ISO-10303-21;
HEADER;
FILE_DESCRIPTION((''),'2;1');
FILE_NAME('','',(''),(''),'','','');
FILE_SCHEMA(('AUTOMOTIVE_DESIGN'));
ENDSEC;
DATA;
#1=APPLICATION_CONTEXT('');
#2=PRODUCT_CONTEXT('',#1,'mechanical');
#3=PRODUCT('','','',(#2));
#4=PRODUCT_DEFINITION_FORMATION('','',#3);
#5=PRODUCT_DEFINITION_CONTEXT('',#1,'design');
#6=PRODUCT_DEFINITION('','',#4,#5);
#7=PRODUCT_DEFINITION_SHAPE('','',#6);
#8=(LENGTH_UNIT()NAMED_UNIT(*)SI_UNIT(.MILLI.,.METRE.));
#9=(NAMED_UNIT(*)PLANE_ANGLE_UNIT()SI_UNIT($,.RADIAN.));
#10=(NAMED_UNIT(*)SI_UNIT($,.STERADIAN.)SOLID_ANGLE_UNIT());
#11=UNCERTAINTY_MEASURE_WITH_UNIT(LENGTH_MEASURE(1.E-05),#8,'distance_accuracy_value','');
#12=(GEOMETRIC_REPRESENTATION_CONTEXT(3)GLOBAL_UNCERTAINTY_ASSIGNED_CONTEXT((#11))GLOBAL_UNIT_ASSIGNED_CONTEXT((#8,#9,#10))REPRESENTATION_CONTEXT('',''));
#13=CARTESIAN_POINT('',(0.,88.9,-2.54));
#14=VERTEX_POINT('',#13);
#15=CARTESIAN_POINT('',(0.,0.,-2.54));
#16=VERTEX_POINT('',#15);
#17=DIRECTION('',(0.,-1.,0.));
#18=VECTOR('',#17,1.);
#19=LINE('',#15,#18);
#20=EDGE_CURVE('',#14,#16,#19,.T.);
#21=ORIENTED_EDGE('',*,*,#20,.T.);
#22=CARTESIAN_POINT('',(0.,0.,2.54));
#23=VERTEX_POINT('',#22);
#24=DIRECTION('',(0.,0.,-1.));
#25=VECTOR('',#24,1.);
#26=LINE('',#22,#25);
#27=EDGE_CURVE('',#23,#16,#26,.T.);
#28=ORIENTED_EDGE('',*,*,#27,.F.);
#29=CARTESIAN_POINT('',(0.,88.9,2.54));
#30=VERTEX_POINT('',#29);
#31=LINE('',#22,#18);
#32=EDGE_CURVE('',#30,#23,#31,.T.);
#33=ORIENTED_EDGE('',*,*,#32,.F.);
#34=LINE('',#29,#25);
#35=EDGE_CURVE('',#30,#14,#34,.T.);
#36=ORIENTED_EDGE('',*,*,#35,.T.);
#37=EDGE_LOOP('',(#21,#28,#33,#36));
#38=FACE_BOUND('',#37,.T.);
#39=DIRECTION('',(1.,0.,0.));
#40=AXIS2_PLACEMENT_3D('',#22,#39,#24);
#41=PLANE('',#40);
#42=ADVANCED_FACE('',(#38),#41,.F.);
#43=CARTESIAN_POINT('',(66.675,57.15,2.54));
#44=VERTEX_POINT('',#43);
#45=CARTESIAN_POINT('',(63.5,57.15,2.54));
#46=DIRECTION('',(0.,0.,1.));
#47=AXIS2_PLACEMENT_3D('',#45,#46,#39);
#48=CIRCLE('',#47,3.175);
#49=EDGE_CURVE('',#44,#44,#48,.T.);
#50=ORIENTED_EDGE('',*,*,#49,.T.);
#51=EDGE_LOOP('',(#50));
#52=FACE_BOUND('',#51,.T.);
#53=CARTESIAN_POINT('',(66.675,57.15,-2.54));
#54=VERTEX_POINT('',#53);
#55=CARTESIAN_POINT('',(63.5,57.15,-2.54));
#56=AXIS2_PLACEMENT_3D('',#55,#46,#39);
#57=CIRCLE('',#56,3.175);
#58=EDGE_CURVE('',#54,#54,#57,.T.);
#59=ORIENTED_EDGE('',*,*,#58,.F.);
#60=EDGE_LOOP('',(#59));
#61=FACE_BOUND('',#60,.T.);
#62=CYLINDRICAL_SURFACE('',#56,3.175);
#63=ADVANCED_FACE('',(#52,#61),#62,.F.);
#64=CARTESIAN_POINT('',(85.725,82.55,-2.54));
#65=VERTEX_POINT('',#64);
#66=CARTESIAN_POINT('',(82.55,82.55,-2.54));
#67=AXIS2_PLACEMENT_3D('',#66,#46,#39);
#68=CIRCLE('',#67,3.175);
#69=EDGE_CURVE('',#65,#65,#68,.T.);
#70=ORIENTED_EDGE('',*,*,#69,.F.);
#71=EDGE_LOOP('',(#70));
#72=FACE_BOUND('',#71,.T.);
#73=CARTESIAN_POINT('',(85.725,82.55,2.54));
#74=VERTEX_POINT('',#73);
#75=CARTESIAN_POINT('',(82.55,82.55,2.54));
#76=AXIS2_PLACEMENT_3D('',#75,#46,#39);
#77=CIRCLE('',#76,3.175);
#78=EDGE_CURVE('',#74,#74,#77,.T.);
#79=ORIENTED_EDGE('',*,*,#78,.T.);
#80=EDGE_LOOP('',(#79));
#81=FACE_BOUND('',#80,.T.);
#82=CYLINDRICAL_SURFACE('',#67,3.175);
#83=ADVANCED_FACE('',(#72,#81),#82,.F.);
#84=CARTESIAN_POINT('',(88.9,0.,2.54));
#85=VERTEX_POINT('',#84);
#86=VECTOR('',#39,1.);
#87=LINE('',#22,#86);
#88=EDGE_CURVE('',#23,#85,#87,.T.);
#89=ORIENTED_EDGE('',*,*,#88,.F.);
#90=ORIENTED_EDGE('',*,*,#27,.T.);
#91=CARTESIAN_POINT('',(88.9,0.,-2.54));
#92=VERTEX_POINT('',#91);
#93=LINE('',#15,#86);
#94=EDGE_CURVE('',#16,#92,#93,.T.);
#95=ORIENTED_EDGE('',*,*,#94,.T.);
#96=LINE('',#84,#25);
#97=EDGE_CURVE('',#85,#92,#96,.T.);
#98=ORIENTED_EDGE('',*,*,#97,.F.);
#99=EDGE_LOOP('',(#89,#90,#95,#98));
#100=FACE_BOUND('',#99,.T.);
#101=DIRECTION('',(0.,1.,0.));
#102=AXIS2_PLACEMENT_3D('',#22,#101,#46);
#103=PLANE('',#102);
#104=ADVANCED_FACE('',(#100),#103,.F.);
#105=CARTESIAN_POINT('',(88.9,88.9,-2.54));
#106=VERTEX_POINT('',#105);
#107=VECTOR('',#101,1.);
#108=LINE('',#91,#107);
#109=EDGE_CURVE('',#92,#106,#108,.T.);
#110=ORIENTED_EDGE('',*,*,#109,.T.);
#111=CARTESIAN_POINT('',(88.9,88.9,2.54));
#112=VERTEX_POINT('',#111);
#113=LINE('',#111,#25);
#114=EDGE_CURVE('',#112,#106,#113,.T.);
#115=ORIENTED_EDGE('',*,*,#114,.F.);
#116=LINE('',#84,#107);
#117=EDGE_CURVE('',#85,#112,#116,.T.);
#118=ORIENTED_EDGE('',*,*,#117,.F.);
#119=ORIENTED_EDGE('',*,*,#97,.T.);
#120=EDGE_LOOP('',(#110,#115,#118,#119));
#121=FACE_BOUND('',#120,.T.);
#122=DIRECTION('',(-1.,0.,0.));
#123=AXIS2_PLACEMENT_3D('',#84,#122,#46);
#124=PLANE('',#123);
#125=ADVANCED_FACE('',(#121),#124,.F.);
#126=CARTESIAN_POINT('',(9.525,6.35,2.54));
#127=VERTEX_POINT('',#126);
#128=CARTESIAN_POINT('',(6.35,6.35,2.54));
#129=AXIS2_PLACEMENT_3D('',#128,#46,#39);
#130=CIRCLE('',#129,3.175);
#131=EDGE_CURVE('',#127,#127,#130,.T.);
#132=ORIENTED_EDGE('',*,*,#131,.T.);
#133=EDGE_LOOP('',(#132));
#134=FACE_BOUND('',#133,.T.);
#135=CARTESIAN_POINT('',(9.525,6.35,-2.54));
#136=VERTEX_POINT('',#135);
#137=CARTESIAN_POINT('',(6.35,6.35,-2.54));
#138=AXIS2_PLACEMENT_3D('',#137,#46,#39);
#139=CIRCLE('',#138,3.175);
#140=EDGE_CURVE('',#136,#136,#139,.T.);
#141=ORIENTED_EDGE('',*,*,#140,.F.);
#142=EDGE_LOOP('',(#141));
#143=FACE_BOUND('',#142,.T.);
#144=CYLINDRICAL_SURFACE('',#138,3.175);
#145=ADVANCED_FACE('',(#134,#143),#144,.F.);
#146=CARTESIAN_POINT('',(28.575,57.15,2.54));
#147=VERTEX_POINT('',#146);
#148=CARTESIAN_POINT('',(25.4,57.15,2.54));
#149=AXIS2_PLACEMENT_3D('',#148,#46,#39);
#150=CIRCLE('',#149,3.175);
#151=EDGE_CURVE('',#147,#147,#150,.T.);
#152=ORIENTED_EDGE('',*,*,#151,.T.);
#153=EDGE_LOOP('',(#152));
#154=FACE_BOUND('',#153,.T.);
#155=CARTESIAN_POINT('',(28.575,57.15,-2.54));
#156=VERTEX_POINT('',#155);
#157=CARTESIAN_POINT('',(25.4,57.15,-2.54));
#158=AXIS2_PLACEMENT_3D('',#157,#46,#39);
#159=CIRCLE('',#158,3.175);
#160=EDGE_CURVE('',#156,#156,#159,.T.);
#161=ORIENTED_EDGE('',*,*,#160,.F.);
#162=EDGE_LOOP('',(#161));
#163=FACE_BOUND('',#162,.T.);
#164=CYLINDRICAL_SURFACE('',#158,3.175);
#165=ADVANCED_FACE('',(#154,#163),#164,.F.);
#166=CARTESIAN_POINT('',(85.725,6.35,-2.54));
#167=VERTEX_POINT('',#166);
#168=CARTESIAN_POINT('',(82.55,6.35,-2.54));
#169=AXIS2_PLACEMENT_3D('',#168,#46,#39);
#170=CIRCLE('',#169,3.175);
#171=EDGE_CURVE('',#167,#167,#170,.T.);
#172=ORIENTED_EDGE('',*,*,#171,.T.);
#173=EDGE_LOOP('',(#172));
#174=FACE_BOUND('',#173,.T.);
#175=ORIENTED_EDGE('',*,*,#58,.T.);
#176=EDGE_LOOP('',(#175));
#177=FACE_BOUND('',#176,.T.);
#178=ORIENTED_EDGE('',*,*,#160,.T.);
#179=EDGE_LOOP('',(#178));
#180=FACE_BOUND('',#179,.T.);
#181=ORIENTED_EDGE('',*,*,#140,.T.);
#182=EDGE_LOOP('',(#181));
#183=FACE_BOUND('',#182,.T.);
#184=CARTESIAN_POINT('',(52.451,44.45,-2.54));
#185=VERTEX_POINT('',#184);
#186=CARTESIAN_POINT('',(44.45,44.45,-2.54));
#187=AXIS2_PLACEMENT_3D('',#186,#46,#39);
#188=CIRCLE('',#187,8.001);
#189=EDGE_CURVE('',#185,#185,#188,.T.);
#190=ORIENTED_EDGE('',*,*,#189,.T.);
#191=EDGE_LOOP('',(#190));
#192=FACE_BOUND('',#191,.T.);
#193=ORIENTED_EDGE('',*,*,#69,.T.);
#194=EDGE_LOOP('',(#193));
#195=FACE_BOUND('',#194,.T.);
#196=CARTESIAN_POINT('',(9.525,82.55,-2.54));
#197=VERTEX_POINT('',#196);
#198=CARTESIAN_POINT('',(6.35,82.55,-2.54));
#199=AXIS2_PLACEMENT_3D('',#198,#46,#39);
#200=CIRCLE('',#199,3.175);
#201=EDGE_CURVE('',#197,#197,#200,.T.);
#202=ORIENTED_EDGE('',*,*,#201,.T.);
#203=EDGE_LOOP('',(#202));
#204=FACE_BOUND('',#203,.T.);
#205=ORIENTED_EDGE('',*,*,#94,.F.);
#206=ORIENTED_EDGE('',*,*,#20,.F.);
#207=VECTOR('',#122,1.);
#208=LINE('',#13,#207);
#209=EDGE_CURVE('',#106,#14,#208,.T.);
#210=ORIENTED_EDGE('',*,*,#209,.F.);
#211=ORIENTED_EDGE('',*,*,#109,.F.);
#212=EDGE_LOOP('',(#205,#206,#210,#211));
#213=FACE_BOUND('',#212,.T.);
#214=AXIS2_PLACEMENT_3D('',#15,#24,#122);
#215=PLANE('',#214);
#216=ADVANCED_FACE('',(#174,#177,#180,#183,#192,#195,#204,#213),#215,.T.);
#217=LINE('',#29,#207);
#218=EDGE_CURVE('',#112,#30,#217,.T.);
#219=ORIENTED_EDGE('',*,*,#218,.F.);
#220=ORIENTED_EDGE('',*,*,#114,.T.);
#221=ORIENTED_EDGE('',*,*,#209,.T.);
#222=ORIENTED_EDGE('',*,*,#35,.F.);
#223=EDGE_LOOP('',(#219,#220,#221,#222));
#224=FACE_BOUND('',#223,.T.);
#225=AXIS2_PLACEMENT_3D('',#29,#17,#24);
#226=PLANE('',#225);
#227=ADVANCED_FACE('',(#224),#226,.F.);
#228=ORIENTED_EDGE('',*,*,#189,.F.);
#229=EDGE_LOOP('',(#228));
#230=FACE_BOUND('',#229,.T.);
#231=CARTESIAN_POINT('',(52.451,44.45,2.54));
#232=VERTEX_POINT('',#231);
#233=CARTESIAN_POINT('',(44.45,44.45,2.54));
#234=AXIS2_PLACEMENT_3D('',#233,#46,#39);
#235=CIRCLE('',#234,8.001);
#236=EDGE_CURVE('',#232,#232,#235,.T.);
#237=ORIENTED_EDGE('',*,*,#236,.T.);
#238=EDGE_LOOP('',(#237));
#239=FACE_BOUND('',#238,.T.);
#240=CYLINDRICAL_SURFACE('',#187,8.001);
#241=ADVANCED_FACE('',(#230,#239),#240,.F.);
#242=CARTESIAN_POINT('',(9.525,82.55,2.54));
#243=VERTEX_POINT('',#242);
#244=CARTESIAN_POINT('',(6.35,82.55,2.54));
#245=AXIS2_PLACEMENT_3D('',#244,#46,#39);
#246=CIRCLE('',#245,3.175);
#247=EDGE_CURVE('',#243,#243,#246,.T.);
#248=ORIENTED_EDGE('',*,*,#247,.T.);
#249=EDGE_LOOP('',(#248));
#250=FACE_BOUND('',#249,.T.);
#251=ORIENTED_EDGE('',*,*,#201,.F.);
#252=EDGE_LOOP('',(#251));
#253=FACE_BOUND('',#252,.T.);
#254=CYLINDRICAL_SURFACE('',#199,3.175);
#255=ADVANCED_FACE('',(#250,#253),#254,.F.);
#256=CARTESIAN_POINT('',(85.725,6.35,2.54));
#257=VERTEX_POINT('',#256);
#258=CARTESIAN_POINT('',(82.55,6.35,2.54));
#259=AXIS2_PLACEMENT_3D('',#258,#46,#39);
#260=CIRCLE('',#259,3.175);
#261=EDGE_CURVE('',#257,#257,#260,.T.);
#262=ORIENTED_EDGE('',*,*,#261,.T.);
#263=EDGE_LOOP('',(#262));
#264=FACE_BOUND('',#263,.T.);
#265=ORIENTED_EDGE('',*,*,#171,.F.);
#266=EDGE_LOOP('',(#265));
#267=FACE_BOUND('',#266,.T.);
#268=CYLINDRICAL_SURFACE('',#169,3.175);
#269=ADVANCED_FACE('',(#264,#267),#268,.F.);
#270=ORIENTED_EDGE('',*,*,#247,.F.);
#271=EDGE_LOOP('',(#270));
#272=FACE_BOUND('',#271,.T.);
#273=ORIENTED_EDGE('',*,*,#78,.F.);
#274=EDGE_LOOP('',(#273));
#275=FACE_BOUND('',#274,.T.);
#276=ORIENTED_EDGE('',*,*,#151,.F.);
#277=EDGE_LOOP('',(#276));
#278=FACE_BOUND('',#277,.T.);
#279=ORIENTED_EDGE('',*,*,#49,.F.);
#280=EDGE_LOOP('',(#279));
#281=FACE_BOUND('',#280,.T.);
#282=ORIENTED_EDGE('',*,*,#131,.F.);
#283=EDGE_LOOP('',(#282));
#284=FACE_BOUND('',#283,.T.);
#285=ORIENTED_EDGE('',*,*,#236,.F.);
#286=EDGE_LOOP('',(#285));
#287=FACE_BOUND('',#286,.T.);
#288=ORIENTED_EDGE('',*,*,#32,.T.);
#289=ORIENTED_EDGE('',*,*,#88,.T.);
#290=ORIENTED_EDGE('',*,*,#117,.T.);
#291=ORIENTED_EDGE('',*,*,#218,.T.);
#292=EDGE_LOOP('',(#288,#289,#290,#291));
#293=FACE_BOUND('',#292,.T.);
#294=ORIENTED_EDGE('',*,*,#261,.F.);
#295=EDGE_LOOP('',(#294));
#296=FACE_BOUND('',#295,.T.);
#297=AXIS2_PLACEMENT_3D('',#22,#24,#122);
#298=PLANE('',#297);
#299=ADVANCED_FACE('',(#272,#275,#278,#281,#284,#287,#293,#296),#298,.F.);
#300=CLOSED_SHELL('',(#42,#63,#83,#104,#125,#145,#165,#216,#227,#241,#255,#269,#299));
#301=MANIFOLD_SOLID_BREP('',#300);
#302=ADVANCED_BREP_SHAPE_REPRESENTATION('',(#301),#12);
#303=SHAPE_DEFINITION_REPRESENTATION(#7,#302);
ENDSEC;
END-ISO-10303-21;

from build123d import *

# Parameters (mm, degrees)
SKETCH1_W           = 88.9
SKETCH1_H           = 88.9
BOSS_EXTRUDE1_DEPTH = 2.54
SKETCH2_R           = 3.175
SKETCH2_R_2         = 8.001
CUT_EXTRUDE1_DEPTH  = 6.08


with BuildPart() as part:
    # Sketch1 → Boss-Extrude1 (new body, symmetric)
    with BuildSketch(Plane.XY):
        with Locations((44.45, 44.45)):
            Rectangle(SKETCH1_W, SKETCH1_H)
    extrude(amount=BOSS_EXTRUDE1_DEPTH, both=True)

    # Sketch2 → Cut-Extrude1 (cut, through all)
    with BuildSketch(Plane.XY.offset(2.54)):
        with Locations((6.35, 82.55)):
            Circle(SKETCH2_R)
        with Locations((82.55, 82.55)):
            Circle(SKETCH2_R)
        with Locations((82.55, 6.35)):
            Circle(SKETCH2_R)
        with Locations((6.35, 6.35)):
            Circle(SKETCH2_R)
        with Locations((44.45, 44.45)):
            Circle(SKETCH2_R_2)
        with Locations((25.4, 57.15)):
            Circle(SKETCH2_R)
        with Locations((63.5, 57.15)):
            Circle(SKETCH2_R)
    extrude(amount=-CUT_EXTRUDE1_DEPTH, mode=Mode.SUBTRACT)


solid = part.part
